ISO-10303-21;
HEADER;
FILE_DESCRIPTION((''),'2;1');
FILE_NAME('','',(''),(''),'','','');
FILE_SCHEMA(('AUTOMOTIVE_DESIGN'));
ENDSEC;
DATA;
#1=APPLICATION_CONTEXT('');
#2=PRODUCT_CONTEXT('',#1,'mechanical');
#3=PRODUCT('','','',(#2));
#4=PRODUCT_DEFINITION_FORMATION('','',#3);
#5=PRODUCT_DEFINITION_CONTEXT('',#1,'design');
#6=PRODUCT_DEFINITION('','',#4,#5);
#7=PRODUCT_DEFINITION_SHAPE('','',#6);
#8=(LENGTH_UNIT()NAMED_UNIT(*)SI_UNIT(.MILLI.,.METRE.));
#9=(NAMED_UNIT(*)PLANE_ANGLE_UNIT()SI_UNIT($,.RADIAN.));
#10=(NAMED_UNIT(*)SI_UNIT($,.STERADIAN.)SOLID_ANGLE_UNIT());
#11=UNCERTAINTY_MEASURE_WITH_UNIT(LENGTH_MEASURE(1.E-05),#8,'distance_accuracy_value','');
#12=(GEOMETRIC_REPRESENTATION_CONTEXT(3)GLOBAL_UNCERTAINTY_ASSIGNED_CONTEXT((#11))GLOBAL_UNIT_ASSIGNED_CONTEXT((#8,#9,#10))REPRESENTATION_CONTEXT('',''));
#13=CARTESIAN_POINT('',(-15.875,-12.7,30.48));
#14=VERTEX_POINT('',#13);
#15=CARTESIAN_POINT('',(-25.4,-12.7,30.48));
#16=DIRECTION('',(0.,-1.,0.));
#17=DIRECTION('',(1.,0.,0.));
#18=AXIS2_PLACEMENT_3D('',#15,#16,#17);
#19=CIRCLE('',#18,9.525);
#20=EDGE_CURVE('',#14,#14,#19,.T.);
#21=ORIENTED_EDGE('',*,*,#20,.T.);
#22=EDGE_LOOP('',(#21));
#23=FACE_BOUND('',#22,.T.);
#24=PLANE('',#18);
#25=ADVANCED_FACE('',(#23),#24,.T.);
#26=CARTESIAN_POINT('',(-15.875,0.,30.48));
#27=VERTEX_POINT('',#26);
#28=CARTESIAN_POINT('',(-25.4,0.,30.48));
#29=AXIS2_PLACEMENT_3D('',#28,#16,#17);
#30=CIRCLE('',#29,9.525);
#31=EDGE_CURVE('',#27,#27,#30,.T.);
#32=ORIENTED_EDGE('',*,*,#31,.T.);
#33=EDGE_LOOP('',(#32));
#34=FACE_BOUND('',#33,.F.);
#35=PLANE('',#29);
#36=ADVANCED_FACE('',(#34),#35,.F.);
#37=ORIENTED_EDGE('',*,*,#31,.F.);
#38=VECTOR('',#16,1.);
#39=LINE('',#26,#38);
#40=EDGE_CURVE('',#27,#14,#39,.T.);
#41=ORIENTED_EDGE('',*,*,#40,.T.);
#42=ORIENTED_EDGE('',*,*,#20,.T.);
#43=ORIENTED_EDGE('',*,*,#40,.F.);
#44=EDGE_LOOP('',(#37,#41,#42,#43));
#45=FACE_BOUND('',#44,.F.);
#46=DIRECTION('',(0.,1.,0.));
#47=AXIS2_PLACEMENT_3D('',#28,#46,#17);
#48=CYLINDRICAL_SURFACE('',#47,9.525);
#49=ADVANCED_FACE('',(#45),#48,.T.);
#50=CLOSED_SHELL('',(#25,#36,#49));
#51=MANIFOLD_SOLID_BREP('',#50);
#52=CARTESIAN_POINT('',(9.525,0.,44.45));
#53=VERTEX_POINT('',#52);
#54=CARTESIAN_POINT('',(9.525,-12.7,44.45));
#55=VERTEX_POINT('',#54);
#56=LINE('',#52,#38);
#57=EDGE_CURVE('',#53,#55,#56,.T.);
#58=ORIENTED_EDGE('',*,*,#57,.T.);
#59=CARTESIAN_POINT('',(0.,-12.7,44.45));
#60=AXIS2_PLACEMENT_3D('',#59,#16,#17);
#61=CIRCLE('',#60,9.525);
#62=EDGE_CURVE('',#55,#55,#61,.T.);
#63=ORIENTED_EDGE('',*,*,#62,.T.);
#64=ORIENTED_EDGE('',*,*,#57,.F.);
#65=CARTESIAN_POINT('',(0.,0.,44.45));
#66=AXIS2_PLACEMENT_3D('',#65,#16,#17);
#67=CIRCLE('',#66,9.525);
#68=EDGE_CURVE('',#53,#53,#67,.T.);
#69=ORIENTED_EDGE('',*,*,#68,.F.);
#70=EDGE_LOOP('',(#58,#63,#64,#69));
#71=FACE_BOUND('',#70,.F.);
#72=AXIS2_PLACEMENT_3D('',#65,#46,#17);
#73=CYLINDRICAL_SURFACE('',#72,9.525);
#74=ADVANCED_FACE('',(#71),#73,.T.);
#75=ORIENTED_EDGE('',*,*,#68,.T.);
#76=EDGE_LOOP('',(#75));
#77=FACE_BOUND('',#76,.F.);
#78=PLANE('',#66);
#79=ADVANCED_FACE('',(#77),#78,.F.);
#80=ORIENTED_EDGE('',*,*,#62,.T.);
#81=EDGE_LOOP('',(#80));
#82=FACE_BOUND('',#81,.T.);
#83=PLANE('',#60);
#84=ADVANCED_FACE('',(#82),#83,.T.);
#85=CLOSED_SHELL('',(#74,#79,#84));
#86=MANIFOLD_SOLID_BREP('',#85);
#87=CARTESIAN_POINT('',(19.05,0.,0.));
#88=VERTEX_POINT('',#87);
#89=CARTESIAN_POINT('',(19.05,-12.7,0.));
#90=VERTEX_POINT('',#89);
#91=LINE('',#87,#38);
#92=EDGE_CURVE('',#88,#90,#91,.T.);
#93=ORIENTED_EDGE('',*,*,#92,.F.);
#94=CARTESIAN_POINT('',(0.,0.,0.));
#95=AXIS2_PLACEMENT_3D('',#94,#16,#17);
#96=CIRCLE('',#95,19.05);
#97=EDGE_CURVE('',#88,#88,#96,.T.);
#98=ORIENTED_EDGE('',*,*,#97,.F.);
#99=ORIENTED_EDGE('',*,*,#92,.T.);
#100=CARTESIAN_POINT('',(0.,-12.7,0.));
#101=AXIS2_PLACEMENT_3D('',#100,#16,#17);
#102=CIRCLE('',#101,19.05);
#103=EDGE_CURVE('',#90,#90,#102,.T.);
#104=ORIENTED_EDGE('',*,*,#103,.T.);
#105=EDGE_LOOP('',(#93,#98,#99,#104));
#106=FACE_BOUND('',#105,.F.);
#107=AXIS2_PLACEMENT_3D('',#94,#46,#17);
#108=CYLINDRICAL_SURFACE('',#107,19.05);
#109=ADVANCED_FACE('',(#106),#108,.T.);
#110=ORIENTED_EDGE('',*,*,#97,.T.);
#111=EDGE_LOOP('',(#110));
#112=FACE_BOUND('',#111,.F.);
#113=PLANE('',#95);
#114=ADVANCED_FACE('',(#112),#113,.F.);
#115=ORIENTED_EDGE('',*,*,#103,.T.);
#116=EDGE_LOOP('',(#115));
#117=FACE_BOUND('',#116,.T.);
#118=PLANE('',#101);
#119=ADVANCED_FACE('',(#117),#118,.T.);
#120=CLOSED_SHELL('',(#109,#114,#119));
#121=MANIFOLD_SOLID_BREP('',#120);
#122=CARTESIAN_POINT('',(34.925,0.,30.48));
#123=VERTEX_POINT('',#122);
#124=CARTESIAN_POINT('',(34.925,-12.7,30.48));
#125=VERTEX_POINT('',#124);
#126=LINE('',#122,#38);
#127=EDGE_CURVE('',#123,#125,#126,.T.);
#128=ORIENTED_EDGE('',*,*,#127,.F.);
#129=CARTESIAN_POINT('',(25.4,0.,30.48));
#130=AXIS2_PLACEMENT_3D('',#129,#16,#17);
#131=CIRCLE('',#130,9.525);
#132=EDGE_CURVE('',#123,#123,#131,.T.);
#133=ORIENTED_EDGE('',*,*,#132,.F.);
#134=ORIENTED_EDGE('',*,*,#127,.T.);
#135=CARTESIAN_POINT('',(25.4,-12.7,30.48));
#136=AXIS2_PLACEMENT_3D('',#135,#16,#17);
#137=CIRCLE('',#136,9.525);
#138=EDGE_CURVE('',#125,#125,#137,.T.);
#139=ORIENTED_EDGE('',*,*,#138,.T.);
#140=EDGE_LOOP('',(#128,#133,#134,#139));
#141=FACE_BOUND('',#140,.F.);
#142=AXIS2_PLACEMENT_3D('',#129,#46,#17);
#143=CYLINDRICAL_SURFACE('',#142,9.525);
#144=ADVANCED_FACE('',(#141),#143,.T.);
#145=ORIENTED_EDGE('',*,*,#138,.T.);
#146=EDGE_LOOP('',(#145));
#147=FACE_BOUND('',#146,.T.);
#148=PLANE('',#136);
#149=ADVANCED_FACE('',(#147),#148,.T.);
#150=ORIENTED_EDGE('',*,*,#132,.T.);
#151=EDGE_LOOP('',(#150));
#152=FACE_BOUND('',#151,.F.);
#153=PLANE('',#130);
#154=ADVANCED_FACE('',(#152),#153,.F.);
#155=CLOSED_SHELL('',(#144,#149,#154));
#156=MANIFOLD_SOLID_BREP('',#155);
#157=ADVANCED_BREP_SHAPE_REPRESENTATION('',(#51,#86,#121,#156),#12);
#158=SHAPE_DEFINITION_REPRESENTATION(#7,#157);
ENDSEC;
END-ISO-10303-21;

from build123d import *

# Parameters (mm, degrees)
F0_R     = 19.05
F0_R_2   = 9.525
F1_DEPTH = 12.7


with BuildPart() as f1:
    # F0 (on Front) → F1 (new body)
    with BuildSketch(Plane.XZ):
        Circle(F0_R)
        with Locations((-25.4, 30.48)):
            Circle(F0_R_2)
        with Locations((0, 44.45)):
            Circle(F0_R_2)
        with Locations((25.4, 30.48)):
            Circle(F0_R_2)
    extrude(amount=F1_DEPTH)


solid = f1.part
